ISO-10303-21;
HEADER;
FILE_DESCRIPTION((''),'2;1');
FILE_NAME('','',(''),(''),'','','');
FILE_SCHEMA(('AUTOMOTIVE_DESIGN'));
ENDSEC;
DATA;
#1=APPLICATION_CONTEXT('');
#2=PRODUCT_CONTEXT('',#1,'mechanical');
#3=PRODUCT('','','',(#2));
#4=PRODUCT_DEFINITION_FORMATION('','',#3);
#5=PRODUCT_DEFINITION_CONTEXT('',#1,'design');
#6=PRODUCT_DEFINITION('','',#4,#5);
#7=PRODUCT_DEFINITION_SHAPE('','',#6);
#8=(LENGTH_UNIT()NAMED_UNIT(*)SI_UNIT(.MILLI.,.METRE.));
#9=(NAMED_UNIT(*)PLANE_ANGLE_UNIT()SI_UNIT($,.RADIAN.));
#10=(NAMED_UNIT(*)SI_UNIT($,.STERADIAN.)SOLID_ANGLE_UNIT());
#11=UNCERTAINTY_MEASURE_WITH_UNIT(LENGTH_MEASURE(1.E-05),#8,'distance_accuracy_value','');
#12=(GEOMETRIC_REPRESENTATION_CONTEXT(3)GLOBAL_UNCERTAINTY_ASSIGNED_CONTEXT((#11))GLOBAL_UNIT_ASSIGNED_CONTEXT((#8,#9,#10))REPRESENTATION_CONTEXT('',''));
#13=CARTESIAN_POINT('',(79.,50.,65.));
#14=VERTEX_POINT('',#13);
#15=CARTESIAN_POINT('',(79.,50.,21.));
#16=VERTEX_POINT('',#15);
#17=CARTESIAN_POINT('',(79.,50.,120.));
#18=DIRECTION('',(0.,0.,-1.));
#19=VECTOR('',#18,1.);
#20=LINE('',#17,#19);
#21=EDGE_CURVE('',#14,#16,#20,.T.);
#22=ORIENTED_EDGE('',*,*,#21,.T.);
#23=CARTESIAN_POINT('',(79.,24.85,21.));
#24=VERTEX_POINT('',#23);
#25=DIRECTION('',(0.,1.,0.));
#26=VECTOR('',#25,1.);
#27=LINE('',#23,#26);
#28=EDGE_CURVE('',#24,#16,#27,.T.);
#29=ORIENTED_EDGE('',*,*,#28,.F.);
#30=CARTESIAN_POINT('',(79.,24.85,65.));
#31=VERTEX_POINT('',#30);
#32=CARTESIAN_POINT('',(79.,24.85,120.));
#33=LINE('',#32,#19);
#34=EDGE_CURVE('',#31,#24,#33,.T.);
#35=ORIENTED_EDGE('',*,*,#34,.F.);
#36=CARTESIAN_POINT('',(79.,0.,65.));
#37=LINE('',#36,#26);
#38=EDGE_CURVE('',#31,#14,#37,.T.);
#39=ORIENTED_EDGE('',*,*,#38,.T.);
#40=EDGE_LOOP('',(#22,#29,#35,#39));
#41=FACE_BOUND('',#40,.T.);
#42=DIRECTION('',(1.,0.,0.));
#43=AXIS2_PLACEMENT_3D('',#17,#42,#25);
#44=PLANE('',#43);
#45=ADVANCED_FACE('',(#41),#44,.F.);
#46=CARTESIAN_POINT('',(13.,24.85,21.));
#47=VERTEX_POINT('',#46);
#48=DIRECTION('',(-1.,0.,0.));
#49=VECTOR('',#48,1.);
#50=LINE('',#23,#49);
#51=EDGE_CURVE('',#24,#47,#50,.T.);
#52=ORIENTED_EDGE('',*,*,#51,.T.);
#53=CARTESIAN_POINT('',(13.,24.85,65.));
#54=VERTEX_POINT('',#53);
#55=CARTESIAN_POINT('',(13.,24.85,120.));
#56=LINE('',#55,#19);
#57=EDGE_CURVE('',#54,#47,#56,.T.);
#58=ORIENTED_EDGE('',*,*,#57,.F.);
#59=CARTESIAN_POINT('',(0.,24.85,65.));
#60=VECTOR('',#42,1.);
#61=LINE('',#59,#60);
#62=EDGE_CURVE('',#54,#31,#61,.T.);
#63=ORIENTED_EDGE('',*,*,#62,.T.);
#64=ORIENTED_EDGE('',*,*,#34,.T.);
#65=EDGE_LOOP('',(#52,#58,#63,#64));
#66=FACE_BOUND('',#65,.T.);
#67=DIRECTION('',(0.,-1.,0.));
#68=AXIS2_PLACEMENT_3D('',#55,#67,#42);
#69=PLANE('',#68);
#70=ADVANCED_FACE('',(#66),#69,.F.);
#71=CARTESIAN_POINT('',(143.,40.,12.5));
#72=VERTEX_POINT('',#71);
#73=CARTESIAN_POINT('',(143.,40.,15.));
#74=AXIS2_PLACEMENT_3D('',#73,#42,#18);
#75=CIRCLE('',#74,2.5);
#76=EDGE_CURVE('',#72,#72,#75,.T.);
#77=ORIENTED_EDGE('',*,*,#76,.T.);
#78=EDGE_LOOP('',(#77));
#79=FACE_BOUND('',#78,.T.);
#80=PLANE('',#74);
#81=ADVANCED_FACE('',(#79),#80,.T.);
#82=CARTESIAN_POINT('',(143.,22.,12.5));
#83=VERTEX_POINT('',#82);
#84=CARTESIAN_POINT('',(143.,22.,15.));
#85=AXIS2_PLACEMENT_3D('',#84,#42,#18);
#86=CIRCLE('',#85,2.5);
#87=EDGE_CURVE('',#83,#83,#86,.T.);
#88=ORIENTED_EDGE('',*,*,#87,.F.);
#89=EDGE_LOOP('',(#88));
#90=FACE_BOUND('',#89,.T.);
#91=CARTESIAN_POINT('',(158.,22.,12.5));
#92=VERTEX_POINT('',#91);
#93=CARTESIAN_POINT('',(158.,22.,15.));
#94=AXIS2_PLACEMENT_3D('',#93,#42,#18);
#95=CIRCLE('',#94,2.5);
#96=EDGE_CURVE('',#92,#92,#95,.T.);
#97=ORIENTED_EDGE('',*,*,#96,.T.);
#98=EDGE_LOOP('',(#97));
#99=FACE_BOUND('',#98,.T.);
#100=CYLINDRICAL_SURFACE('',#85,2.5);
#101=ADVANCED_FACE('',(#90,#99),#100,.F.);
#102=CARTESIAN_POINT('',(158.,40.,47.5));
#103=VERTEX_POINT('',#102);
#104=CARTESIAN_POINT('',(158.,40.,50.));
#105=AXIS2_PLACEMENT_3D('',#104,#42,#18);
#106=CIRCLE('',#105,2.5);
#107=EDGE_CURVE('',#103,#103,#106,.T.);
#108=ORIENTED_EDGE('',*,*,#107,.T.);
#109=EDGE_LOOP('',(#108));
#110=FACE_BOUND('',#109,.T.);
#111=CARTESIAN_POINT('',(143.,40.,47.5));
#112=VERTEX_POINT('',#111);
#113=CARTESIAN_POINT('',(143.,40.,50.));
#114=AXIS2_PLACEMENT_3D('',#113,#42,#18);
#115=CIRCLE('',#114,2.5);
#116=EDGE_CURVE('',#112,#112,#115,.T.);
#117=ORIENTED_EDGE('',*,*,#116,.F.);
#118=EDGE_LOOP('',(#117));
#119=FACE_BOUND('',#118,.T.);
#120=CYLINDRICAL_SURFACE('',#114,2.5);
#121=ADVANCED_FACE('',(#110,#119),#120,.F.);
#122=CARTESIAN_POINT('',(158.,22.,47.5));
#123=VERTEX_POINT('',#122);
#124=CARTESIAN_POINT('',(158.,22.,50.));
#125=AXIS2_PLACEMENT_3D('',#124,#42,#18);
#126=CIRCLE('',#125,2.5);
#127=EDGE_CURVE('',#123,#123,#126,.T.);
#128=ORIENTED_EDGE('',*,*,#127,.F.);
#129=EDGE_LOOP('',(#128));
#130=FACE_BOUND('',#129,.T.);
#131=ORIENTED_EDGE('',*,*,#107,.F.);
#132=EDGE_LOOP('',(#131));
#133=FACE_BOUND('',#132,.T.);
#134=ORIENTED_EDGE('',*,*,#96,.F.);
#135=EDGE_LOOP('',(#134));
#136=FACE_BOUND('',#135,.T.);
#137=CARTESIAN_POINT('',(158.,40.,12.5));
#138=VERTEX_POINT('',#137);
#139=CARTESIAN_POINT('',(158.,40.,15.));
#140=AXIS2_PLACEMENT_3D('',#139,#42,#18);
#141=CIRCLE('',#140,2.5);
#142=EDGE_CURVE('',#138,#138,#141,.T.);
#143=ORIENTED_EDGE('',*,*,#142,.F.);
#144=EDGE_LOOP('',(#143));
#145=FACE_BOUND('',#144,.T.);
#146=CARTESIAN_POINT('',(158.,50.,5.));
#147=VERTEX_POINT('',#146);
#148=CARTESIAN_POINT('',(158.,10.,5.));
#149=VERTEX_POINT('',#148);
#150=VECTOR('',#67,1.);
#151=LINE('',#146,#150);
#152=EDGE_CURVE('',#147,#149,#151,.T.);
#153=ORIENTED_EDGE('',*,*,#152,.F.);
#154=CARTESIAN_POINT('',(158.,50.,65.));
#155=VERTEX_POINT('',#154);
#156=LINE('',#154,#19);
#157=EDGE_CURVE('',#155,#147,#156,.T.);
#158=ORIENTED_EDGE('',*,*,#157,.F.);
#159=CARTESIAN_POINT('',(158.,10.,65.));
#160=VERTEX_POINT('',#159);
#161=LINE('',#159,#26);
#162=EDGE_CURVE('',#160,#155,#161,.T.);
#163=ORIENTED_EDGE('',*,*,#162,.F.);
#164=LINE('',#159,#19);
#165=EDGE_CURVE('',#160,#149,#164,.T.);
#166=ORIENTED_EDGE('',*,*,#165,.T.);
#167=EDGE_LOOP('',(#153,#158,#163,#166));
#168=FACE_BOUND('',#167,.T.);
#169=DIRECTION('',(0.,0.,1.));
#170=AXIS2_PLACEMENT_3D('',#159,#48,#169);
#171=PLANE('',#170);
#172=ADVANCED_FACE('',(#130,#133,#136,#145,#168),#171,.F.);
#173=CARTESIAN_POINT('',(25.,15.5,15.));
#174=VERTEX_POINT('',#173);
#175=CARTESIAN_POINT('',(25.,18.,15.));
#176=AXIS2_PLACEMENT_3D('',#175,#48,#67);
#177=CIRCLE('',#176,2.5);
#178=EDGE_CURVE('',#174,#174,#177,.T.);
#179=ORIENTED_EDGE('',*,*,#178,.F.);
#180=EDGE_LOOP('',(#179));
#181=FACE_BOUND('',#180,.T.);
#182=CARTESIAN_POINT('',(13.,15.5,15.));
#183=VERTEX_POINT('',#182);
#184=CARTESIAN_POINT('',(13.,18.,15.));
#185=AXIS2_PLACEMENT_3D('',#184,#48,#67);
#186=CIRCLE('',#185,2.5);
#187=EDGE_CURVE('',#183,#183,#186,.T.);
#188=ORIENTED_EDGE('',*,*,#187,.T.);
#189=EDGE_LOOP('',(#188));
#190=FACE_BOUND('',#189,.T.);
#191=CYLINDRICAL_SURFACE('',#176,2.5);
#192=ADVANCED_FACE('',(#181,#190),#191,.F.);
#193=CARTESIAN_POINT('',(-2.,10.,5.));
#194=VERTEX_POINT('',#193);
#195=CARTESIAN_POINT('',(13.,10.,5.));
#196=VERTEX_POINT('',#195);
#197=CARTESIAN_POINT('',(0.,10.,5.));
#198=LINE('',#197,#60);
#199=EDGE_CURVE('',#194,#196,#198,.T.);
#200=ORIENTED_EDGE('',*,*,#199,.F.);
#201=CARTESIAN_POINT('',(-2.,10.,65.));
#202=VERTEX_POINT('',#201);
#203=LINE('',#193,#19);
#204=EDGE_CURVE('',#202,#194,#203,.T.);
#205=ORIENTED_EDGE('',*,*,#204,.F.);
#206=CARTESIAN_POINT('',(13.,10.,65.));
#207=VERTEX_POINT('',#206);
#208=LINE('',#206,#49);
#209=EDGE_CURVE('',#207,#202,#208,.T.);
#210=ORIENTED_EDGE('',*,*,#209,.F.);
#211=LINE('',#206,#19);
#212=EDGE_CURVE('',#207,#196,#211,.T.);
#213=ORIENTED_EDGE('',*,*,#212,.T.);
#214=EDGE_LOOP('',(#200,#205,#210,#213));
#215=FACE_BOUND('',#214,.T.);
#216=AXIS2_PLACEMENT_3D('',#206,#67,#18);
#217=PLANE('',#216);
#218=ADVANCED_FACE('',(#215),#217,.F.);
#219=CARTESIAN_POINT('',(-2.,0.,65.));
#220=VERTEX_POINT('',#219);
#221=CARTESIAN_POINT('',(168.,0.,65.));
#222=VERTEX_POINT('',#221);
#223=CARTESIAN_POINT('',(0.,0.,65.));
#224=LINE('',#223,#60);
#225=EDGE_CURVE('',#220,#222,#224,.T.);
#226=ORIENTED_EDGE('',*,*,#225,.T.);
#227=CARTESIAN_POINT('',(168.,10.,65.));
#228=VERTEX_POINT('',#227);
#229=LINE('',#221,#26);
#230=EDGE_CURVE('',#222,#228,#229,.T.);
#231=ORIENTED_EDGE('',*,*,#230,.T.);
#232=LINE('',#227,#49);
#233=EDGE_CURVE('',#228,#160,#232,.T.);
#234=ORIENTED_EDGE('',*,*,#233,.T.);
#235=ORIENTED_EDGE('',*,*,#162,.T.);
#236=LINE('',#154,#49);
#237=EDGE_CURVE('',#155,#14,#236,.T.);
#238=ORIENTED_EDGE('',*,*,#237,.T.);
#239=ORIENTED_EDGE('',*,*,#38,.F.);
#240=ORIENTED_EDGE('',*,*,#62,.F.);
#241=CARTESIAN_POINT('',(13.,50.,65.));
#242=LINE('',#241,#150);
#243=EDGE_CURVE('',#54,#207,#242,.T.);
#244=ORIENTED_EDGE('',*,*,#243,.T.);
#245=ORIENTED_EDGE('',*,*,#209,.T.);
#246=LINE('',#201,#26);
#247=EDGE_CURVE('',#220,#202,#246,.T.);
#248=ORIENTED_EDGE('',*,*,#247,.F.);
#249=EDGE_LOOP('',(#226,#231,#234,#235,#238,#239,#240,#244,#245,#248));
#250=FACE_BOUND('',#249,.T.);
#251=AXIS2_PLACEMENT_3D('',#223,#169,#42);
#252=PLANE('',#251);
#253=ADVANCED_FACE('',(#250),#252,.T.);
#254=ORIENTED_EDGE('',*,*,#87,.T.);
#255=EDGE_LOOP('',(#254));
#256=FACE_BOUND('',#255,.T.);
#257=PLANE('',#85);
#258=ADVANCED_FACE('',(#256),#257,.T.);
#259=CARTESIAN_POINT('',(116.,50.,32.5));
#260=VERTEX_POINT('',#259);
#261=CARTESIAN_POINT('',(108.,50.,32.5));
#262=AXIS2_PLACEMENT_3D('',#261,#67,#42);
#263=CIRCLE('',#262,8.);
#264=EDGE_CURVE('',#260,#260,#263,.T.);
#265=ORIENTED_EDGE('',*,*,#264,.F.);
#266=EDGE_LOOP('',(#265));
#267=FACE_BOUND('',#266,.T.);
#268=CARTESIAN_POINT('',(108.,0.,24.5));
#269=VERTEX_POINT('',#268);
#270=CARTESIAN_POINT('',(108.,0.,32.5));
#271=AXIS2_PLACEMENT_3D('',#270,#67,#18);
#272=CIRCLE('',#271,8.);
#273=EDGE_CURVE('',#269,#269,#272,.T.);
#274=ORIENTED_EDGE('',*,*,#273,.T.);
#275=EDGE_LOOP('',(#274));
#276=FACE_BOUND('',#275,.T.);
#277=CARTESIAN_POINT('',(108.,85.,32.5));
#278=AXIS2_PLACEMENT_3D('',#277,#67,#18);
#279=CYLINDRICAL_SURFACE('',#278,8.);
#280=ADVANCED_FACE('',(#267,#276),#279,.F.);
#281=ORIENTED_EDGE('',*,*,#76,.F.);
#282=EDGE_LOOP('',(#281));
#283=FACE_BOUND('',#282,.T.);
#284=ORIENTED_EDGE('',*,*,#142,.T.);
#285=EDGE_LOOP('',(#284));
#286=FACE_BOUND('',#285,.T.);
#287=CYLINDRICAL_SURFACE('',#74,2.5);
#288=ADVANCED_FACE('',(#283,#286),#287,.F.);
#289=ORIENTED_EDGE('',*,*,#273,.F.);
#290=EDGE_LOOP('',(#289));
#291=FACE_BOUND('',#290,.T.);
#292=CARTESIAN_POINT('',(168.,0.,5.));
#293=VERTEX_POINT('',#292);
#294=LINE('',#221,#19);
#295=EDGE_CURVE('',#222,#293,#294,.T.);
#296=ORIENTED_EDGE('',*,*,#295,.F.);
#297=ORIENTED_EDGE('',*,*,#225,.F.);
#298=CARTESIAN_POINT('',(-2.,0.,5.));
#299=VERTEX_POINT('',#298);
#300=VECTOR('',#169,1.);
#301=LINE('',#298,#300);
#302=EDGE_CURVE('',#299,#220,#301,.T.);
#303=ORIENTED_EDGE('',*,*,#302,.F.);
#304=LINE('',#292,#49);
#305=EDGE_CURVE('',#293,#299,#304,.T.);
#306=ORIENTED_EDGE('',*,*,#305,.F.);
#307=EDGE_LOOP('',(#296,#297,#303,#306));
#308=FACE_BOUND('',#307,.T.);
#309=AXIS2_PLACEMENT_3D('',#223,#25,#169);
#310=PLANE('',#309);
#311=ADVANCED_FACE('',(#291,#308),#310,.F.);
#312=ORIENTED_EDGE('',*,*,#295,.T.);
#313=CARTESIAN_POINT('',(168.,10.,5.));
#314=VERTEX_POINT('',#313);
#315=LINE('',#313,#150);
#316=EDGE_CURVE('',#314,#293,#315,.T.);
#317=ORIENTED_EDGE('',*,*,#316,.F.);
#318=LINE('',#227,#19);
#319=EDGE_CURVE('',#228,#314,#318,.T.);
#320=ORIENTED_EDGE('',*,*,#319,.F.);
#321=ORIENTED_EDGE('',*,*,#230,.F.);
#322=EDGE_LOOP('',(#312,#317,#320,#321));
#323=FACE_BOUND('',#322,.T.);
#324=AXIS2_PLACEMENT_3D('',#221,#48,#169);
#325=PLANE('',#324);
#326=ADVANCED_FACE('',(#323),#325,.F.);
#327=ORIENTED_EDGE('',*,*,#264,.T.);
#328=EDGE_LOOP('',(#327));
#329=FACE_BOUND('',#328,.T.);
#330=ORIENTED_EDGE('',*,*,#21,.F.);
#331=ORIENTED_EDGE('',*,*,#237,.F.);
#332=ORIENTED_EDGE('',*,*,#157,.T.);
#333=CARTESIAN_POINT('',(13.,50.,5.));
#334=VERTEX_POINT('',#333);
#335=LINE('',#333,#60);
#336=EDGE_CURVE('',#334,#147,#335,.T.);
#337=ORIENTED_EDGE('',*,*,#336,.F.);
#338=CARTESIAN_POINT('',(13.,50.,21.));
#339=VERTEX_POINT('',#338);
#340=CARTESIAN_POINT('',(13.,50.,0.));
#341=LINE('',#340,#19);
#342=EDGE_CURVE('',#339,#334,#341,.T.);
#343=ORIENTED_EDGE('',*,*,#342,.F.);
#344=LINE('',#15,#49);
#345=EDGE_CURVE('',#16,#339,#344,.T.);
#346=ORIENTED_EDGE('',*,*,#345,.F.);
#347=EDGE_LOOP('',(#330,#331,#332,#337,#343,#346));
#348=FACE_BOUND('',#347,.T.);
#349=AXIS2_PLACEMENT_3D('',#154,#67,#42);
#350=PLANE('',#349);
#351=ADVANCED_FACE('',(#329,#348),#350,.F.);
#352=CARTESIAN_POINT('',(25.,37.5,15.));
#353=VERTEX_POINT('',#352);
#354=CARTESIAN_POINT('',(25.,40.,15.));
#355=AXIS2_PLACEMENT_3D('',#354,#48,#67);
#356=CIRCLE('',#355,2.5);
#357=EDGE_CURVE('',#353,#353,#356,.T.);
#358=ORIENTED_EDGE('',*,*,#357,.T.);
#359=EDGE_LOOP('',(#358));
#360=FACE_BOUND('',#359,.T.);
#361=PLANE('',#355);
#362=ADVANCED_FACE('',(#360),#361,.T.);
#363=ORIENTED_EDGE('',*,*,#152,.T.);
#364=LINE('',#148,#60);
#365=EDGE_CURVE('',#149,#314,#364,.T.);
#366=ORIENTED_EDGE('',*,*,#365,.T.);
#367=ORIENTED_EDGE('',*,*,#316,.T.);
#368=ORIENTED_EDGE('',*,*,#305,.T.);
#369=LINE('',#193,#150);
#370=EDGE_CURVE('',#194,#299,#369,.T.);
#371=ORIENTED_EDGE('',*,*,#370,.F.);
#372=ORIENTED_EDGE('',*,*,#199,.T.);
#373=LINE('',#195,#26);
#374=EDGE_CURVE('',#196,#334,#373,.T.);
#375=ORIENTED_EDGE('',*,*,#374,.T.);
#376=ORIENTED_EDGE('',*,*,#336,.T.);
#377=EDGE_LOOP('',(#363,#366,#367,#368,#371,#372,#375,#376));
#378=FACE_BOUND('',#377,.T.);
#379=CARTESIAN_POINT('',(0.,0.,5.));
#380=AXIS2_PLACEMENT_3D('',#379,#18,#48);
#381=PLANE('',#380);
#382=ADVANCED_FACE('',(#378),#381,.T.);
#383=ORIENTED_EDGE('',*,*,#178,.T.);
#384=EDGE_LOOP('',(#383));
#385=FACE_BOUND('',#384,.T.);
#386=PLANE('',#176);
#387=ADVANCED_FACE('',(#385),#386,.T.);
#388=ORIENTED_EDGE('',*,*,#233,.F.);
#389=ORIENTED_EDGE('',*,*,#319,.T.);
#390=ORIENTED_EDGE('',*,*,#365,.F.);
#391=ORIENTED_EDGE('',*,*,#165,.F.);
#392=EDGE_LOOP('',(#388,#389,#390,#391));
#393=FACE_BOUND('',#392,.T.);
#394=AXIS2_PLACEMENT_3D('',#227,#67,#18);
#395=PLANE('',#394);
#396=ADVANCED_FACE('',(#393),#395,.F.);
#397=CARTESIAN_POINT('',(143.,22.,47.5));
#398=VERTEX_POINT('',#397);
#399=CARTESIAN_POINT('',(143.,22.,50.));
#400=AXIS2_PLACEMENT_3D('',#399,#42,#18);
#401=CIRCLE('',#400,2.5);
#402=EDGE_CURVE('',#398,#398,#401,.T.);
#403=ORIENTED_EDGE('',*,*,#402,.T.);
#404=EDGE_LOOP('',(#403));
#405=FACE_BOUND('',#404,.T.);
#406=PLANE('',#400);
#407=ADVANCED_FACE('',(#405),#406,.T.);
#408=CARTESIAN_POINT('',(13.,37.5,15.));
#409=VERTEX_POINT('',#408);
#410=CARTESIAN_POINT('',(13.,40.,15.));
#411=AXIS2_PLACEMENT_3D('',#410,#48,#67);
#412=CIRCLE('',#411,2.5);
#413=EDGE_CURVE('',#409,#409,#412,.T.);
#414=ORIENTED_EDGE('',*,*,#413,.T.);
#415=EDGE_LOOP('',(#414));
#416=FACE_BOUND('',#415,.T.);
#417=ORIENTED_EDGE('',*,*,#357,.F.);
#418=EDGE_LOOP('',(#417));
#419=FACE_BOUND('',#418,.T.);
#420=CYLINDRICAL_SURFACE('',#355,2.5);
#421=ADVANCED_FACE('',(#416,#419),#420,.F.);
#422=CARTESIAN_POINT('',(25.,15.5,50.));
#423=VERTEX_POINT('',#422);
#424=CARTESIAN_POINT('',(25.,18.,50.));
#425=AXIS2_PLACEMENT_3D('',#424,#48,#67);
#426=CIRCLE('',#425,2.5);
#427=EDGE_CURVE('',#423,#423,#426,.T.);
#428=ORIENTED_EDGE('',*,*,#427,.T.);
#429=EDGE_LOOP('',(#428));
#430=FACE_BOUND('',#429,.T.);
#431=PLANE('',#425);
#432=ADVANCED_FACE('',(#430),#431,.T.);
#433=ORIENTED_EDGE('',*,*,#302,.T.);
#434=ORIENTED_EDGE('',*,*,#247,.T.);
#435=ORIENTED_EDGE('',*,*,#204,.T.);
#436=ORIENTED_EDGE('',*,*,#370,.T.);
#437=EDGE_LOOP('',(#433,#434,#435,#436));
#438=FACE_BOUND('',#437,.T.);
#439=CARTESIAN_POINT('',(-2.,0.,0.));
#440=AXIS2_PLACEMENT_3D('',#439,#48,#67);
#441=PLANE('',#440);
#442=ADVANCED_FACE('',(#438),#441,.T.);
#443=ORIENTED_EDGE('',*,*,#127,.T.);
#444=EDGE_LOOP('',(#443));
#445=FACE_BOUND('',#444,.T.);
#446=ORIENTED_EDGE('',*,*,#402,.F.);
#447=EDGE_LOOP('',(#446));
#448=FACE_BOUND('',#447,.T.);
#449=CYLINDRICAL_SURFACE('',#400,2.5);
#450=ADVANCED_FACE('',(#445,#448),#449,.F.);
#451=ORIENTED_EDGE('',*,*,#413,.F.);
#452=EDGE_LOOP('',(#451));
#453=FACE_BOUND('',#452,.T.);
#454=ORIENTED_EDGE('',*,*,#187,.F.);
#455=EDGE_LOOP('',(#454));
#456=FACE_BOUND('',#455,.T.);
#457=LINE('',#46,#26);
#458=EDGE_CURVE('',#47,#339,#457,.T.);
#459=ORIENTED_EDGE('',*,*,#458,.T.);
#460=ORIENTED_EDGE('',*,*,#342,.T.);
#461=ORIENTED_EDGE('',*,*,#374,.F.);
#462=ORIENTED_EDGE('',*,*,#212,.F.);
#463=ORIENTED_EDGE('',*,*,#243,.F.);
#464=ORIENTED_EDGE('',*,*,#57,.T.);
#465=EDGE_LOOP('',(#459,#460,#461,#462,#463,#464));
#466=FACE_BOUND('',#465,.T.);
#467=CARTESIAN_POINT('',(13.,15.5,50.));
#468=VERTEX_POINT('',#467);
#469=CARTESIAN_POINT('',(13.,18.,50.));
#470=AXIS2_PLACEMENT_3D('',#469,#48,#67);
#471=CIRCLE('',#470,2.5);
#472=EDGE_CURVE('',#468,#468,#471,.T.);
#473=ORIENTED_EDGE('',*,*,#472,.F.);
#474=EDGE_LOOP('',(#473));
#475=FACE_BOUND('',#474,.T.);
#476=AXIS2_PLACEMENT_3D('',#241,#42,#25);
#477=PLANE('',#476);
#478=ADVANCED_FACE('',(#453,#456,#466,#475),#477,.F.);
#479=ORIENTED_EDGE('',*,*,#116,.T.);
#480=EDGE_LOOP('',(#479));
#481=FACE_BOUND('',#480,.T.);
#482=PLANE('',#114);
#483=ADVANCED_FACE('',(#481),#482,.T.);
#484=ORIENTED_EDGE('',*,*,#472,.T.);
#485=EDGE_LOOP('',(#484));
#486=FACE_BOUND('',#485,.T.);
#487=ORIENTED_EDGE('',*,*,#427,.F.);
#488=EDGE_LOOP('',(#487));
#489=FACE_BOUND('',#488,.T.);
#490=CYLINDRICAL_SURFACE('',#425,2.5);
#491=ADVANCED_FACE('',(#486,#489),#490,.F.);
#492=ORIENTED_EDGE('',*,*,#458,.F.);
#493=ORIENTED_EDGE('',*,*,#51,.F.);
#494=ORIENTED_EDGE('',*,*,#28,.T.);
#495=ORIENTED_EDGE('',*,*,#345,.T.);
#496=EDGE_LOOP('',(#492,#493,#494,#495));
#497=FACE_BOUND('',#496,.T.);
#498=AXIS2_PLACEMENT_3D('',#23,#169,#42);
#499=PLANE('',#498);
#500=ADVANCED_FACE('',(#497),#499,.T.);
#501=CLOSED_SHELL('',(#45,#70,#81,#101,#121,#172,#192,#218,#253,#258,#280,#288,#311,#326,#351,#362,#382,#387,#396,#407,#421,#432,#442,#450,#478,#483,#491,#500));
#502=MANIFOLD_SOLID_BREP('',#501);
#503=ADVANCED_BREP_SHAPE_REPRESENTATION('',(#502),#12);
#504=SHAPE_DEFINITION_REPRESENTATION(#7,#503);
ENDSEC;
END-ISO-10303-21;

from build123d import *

# Parameters (mm, degrees)
AUFSATZ_LINEAR_AUSTRAGEN1_DEPTH = 65
SKIZZE3_R                       = 8
SCHNITT_LINEAR_AUSTRAGEN2_DEPTH = 85
SKIZZE4_W                       = 66
SKIZZE4_H                       = 25.15
SCHNITT_LINEAR_AUSTRAGEN3_DEPTH = 120
SKIZZE5_R                       = 2.5
SCHNITT_LINEAR_AUSTRAGEN4_DEPTH = 15
SKIZZE6_R                       = 2.5
SCHNITT_LINEAR_AUSTRAGEN5_DEPTH = 12
SKIZZE7_W                       = 21
SKIZZE7_H                       = 25.15
AUFSATZ_LINEAR_AUSTRAGEN2_DEPTH = 66
SKIZZE8_R                       = 2.5
SCHNITT_LINEAR_AUSTRAGEN7_DEPTH = 12
SCHNITT_LINEAR_AUSTRAGEN8_DEPTH = 5
SKIZZE10_W                      = 60
SKIZZE10_H                      = 10
AUFSATZ_LINEAR_AUSTRAGEN3_DEPTH = 2


with BuildPart() as part:
    # Skizze1 → Aufsatz-Linear austragen1 (new body)
    with BuildSketch(Plane.XY):
        Polygon((0, 0), (168, 0), (168, 10), (158, 10), (158, 50), (13, 50), (13, 10), (0, 10), align=None)
    extrude(amount=AUFSATZ_LINEAR_AUSTRAGEN1_DEPTH)

    # Skizze3 → Schnitt-Linear austragen2 (cut)
    with BuildSketch(Plane(origin=(0, 0, 0), x_dir=(-1, 0, 0), z_dir=(0, -1, 0))):
        with Locations((-108, -32.5)):
            Circle(SKIZZE3_R)
    extrude(amount=-SCHNITT_LINEAR_AUSTRAGEN2_DEPTH, mode=Mode.SUBTRACT)

    # Skizze4 → Schnitt-Linear austragen3 (cut)
    with BuildSketch(Plane(origin=(0, 0, 0), x_dir=(-1, 0, 0), z_dir=(0, 0, -1))):
        with Locations((-46, 37.425)):
            Rectangle(SKIZZE4_W, SKIZZE4_H)
    extrude(amount=-SCHNITT_LINEAR_AUSTRAGEN3_DEPTH, mode=Mode.SUBTRACT)

    # Skizze5 → Schnitt-Linear austragen4 (cut)
    with BuildSketch(Plane(origin=(158, 0, 0), x_dir=(0, 0, -1), z_dir=(1, 0, 0))):
        with Locations((-50, 40)):
            Circle(SKIZZE5_R)
        with Locations((-50, 22)):
            Circle(SKIZZE5_R)
        with Locations((-15, 22)):
            Circle(SKIZZE5_R)
        with Locations((-15, 40)):
            Circle(SKIZZE5_R)
    extrude(amount=-SCHNITT_LINEAR_AUSTRAGEN4_DEPTH, mode=Mode.SUBTRACT)

    # Skizze6 → Schnitt-Linear austragen5 (cut)
    with BuildSketch(Plane.ZY.offset(-13)):
        with Locations((15, 18)):
            Circle(SKIZZE6_R)
        with Locations((50, 18)):
            Circle(SKIZZE6_R)
    extrude(amount=-SCHNITT_LINEAR_AUSTRAGEN5_DEPTH, mode=Mode.SUBTRACT)

    # Skizze7 → Aufsatz-Linear austragen2 (add)
    with BuildSketch(Plane.ZY.offset(-13)):
        with Locations((10.5, 37.425)):
            Rectangle(SKIZZE7_W, SKIZZE7_H)
    extrude(amount=-AUFSATZ_LINEAR_AUSTRAGEN2_DEPTH)

    # Skizze8 → Schnitt-Linear austragen7 (cut)
    with BuildSketch(Plane.ZY.offset(-13)):
        with Locations((15, 40)):
            Circle(SKIZZE8_R)
    extrude(amount=-SCHNITT_LINEAR_AUSTRAGEN7_DEPTH, mode=Mode.SUBTRACT)

    # Skizze9 → Schnitt-Linear austragen8 (cut)
    with BuildSketch(Plane(origin=(0, 0, 0), x_dir=(-1, 0, 0), z_dir=(0, 0, -1))):
        Polygon((0, 0), (0, 10), (-13, 10), (-13, 50), (-158, 50), (-158, 10), (-168, 10), (-168, 0), align=None)
    extrude(amount=-SCHNITT_LINEAR_AUSTRAGEN8_DEPTH, mode=Mode.SUBTRACT)

    # Skizze10 → Aufsatz-Linear austragen3 (add)
    with BuildSketch(Plane.ZY):
        with Locations((35, 5)):
            Rectangle(SKIZZE10_W, SKIZZE10_H)
    extrude(amount=AUFSATZ_LINEAR_AUSTRAGEN3_DEPTH)


solid = part.part
